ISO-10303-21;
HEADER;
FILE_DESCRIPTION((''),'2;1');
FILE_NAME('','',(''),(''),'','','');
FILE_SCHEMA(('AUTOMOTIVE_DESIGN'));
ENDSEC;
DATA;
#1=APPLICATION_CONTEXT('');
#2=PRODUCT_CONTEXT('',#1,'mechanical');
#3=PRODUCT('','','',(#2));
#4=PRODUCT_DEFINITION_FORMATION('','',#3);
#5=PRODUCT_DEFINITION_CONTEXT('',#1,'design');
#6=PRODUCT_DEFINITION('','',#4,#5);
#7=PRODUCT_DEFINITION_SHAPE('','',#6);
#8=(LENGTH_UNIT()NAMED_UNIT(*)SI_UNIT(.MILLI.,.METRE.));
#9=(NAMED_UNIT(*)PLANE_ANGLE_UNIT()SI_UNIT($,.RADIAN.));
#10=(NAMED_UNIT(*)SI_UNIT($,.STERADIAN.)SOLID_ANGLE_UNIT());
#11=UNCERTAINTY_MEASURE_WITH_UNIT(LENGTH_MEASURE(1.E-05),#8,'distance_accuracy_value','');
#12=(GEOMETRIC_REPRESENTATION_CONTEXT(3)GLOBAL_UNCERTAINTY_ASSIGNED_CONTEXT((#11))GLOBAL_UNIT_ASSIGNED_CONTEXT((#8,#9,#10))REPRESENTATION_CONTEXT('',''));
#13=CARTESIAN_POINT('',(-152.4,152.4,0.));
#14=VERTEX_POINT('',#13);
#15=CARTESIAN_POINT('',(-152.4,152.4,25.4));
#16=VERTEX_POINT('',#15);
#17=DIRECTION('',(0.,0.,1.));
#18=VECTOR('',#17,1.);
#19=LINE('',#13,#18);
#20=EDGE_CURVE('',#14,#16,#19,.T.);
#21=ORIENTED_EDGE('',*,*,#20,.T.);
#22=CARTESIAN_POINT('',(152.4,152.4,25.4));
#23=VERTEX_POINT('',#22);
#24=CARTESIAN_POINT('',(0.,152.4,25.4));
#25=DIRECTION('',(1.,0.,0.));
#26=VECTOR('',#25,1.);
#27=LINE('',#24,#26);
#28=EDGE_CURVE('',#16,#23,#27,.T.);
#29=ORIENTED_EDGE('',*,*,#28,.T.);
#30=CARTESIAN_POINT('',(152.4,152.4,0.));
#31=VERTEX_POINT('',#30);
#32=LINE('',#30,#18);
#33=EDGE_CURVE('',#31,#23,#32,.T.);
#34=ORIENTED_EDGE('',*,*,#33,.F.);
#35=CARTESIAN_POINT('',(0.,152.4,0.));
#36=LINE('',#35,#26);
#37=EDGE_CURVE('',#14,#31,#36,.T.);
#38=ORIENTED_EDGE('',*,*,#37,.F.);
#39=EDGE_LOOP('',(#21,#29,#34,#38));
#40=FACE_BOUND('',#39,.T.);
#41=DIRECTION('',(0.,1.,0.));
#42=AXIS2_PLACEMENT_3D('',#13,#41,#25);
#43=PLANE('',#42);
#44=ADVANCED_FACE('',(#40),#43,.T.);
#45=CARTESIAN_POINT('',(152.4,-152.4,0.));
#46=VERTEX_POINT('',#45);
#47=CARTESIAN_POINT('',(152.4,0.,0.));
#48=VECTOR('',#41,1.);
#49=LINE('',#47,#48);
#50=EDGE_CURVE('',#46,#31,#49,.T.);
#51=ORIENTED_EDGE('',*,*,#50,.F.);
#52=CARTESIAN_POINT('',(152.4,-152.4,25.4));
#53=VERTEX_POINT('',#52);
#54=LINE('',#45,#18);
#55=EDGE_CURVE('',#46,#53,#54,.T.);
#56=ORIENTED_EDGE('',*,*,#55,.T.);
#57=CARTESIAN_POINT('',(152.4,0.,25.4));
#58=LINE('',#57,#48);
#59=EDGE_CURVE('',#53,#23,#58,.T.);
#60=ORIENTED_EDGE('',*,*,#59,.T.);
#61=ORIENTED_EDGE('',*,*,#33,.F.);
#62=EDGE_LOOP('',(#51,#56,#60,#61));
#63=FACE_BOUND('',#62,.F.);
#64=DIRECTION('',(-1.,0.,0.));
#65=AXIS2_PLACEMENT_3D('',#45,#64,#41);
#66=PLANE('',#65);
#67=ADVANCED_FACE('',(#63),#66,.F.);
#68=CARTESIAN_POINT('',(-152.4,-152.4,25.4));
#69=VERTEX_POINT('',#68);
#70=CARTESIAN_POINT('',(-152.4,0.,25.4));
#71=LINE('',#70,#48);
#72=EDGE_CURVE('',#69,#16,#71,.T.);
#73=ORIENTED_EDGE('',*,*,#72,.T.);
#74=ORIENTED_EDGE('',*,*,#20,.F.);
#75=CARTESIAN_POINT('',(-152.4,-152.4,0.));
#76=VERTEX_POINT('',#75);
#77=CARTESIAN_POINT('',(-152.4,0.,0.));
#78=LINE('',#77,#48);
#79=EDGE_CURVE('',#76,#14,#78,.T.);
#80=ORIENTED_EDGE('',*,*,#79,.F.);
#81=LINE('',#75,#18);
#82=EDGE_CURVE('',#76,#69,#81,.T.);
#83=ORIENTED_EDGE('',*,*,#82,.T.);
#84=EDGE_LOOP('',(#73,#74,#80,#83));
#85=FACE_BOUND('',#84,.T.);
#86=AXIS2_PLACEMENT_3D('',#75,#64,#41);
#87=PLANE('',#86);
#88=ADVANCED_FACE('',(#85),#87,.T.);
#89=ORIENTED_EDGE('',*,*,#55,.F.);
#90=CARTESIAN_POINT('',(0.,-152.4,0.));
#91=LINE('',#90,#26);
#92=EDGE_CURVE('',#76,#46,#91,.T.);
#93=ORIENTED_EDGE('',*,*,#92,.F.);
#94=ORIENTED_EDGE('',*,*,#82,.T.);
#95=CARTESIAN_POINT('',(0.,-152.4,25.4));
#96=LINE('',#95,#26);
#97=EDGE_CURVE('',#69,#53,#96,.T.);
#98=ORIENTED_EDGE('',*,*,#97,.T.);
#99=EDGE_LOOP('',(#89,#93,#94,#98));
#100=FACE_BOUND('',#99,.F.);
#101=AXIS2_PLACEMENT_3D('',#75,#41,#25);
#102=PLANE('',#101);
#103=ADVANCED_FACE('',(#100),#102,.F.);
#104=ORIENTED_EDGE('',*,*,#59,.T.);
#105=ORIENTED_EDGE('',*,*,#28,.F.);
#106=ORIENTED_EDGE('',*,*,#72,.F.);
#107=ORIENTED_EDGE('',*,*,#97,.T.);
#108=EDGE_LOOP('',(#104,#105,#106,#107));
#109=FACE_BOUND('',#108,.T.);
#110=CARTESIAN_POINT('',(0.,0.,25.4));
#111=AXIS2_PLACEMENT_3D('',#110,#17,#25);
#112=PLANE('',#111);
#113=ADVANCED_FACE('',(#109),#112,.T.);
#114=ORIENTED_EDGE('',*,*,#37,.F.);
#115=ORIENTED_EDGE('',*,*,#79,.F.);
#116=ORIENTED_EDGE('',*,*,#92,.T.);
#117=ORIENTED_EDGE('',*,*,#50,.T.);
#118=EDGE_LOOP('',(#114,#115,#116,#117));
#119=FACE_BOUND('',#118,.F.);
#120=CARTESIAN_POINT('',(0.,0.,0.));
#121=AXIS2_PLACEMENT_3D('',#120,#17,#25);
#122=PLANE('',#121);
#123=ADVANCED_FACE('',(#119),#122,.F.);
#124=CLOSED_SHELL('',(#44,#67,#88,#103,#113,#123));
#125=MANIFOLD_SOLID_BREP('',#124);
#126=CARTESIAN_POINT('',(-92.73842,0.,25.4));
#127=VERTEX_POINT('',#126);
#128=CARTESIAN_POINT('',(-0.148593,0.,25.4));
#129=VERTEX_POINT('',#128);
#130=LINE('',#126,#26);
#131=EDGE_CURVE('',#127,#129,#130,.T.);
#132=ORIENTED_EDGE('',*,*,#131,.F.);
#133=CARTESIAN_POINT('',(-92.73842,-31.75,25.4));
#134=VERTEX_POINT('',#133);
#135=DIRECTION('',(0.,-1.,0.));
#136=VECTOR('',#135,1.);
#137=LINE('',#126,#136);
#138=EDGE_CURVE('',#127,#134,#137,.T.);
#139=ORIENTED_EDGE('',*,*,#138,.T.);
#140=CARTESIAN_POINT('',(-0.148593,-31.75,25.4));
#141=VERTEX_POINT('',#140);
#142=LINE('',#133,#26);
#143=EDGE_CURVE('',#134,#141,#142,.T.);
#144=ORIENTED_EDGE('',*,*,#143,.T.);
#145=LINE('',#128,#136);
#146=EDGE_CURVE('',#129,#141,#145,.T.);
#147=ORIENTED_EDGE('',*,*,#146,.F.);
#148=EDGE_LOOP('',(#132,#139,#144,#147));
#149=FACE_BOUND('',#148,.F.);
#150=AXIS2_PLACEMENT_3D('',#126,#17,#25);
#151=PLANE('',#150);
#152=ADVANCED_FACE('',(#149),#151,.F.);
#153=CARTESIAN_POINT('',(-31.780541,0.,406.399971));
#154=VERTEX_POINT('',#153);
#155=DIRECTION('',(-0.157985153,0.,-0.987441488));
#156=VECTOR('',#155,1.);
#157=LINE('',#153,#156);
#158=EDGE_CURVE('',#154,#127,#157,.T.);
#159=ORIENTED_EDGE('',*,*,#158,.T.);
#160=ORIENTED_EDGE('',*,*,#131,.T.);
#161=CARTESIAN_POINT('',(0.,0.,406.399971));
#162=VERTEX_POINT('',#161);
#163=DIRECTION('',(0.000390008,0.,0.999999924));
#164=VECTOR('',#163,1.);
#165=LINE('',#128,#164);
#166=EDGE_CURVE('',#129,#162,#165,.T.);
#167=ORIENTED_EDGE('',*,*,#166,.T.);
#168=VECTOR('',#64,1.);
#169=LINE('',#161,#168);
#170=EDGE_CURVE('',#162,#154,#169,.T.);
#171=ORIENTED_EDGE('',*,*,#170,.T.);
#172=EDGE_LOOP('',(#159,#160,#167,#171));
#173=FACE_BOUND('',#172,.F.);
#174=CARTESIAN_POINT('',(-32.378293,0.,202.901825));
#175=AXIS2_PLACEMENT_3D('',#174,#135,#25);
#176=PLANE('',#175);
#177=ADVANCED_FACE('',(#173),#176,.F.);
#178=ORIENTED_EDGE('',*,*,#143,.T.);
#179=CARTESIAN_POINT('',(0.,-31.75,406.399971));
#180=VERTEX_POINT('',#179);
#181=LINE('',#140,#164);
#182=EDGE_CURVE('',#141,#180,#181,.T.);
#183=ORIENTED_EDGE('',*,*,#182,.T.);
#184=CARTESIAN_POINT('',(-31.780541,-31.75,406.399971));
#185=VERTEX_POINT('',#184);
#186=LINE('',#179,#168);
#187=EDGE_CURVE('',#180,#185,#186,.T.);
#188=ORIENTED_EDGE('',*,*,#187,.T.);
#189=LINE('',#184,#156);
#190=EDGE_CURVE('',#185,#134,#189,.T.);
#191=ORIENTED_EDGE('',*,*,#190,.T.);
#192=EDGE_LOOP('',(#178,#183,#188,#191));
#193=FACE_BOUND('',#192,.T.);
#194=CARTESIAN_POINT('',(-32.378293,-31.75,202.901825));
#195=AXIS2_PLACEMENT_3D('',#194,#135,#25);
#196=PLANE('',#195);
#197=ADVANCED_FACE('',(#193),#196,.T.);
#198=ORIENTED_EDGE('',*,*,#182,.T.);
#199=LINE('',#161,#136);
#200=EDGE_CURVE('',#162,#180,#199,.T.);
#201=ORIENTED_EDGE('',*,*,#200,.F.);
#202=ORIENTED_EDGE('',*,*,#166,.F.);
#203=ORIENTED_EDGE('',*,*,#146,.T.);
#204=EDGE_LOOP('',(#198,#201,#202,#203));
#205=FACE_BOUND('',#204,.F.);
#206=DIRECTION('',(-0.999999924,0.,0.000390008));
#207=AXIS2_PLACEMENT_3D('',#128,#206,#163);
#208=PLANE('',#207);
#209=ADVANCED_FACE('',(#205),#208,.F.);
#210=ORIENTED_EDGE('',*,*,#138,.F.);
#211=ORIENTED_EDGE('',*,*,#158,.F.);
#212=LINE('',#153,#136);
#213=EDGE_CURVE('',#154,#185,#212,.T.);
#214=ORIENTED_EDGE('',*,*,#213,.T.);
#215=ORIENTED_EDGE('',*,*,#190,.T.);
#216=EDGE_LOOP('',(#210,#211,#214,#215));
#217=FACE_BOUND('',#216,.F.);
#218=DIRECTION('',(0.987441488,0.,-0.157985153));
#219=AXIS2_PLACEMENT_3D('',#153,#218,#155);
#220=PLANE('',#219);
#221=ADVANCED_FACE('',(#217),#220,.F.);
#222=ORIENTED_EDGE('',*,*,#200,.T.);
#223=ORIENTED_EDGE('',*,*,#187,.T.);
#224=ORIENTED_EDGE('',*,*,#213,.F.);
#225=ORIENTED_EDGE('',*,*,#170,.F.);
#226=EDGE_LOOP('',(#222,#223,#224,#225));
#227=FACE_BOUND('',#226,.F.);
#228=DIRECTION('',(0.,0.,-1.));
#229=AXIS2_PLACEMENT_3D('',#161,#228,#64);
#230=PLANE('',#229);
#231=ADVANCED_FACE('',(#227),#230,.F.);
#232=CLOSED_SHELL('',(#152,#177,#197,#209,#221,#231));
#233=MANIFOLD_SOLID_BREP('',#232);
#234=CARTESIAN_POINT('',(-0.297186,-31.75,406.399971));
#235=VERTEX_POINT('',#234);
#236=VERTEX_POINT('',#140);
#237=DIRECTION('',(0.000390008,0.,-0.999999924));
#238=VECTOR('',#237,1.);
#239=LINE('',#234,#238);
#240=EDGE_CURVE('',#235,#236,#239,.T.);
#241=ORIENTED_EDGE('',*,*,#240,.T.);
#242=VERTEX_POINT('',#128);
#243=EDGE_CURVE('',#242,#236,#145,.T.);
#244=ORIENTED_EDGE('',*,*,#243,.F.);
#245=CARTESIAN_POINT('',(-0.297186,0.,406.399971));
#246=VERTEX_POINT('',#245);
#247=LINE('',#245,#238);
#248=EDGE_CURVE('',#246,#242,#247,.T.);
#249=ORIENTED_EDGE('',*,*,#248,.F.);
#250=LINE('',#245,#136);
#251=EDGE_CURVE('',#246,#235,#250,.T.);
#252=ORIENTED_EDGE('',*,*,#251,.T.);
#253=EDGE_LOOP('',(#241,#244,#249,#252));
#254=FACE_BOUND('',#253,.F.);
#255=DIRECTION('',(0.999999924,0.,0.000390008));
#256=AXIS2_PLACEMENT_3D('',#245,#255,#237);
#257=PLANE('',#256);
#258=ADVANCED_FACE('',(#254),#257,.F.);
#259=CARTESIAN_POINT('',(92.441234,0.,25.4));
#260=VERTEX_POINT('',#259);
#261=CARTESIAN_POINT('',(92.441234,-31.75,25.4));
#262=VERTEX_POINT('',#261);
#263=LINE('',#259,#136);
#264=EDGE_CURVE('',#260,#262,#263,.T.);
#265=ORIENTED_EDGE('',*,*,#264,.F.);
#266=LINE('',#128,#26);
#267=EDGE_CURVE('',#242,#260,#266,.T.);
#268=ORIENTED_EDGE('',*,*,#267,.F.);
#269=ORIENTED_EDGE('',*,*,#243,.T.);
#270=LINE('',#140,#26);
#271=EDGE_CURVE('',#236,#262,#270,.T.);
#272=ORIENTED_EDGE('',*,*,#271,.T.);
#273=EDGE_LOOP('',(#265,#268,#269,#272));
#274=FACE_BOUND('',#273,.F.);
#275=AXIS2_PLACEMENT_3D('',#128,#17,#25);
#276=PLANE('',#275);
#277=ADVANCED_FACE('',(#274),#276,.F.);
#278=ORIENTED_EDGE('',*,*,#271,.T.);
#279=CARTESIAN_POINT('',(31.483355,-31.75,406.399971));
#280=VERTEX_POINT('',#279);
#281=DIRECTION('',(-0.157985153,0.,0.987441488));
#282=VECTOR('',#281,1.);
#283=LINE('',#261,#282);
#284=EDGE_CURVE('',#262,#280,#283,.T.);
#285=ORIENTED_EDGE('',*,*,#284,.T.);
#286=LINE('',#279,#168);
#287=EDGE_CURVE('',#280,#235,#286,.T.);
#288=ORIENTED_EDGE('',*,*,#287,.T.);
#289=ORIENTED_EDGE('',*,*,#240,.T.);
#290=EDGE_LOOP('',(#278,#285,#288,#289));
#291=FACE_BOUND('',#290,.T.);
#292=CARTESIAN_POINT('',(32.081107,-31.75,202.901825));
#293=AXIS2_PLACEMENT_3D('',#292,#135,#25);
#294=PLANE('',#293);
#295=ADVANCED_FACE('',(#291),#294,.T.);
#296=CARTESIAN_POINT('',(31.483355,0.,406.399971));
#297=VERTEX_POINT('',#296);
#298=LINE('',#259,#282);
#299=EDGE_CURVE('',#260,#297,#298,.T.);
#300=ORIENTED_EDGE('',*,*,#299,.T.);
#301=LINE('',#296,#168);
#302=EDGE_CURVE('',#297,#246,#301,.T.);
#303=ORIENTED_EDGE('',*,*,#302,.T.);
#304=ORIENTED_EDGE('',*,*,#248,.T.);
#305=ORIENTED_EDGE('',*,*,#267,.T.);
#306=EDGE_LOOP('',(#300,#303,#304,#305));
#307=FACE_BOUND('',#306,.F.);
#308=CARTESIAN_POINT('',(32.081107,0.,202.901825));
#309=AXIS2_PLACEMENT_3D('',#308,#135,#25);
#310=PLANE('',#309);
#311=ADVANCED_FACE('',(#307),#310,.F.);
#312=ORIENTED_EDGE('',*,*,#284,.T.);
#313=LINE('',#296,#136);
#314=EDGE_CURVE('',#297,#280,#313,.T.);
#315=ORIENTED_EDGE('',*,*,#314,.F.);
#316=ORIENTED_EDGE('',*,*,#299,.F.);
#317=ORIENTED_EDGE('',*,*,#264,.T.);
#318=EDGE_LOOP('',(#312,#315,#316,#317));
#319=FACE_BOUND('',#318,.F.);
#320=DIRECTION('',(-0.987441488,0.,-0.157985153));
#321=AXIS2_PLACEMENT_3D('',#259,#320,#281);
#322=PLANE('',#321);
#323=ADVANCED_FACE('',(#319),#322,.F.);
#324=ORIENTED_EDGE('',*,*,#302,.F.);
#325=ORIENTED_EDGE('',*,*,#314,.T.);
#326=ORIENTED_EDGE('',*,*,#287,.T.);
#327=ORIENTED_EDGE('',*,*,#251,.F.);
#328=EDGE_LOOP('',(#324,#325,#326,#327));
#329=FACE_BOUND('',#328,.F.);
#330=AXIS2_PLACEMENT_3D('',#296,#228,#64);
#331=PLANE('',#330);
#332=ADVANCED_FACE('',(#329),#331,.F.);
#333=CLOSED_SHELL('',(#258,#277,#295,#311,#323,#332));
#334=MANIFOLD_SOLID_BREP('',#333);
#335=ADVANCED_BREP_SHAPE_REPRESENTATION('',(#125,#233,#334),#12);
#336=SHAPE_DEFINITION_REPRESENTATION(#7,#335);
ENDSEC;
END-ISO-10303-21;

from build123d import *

# Parameters (mm, degrees)
F0_W     = 304.8
F0_H     = 304.8
F1_DEPTH = 25.4
F4_DEPTH = 31.75


with BuildPart() as f1:
    # F0 (on Top) → F1 (new body)
    with BuildSketch(Plane.XY):
        Rectangle(F0_W, F0_H)
    extrude(amount=F1_DEPTH)


with BuildPart() as f4:
    # F3 (on Front) → F4 (new body)
    with BuildSketch(Plane.XZ):
        Polygon((-0.1485930994, 25.4), (92.4412335724, 25.4), (31.4833547443, 406.3999710237), (-0.2971861988, 406.3999710237), align=None)
    extrude(amount=F4_DEPTH)


with BuildPart() as f4b:
    # F2 (on Front) → F4, piece 2 (new body)
    with BuildSketch(Plane.XZ):
        Polygon((-31.7805409431, 406.3999710237), (-92.7384197712, 25.4), (-0.1485930994, 25.4), (0, 406.3999710237), align=None)
    extrude(amount=F4_DEPTH)


solid = Compound([f1.part, f4.part, f4b.part])
